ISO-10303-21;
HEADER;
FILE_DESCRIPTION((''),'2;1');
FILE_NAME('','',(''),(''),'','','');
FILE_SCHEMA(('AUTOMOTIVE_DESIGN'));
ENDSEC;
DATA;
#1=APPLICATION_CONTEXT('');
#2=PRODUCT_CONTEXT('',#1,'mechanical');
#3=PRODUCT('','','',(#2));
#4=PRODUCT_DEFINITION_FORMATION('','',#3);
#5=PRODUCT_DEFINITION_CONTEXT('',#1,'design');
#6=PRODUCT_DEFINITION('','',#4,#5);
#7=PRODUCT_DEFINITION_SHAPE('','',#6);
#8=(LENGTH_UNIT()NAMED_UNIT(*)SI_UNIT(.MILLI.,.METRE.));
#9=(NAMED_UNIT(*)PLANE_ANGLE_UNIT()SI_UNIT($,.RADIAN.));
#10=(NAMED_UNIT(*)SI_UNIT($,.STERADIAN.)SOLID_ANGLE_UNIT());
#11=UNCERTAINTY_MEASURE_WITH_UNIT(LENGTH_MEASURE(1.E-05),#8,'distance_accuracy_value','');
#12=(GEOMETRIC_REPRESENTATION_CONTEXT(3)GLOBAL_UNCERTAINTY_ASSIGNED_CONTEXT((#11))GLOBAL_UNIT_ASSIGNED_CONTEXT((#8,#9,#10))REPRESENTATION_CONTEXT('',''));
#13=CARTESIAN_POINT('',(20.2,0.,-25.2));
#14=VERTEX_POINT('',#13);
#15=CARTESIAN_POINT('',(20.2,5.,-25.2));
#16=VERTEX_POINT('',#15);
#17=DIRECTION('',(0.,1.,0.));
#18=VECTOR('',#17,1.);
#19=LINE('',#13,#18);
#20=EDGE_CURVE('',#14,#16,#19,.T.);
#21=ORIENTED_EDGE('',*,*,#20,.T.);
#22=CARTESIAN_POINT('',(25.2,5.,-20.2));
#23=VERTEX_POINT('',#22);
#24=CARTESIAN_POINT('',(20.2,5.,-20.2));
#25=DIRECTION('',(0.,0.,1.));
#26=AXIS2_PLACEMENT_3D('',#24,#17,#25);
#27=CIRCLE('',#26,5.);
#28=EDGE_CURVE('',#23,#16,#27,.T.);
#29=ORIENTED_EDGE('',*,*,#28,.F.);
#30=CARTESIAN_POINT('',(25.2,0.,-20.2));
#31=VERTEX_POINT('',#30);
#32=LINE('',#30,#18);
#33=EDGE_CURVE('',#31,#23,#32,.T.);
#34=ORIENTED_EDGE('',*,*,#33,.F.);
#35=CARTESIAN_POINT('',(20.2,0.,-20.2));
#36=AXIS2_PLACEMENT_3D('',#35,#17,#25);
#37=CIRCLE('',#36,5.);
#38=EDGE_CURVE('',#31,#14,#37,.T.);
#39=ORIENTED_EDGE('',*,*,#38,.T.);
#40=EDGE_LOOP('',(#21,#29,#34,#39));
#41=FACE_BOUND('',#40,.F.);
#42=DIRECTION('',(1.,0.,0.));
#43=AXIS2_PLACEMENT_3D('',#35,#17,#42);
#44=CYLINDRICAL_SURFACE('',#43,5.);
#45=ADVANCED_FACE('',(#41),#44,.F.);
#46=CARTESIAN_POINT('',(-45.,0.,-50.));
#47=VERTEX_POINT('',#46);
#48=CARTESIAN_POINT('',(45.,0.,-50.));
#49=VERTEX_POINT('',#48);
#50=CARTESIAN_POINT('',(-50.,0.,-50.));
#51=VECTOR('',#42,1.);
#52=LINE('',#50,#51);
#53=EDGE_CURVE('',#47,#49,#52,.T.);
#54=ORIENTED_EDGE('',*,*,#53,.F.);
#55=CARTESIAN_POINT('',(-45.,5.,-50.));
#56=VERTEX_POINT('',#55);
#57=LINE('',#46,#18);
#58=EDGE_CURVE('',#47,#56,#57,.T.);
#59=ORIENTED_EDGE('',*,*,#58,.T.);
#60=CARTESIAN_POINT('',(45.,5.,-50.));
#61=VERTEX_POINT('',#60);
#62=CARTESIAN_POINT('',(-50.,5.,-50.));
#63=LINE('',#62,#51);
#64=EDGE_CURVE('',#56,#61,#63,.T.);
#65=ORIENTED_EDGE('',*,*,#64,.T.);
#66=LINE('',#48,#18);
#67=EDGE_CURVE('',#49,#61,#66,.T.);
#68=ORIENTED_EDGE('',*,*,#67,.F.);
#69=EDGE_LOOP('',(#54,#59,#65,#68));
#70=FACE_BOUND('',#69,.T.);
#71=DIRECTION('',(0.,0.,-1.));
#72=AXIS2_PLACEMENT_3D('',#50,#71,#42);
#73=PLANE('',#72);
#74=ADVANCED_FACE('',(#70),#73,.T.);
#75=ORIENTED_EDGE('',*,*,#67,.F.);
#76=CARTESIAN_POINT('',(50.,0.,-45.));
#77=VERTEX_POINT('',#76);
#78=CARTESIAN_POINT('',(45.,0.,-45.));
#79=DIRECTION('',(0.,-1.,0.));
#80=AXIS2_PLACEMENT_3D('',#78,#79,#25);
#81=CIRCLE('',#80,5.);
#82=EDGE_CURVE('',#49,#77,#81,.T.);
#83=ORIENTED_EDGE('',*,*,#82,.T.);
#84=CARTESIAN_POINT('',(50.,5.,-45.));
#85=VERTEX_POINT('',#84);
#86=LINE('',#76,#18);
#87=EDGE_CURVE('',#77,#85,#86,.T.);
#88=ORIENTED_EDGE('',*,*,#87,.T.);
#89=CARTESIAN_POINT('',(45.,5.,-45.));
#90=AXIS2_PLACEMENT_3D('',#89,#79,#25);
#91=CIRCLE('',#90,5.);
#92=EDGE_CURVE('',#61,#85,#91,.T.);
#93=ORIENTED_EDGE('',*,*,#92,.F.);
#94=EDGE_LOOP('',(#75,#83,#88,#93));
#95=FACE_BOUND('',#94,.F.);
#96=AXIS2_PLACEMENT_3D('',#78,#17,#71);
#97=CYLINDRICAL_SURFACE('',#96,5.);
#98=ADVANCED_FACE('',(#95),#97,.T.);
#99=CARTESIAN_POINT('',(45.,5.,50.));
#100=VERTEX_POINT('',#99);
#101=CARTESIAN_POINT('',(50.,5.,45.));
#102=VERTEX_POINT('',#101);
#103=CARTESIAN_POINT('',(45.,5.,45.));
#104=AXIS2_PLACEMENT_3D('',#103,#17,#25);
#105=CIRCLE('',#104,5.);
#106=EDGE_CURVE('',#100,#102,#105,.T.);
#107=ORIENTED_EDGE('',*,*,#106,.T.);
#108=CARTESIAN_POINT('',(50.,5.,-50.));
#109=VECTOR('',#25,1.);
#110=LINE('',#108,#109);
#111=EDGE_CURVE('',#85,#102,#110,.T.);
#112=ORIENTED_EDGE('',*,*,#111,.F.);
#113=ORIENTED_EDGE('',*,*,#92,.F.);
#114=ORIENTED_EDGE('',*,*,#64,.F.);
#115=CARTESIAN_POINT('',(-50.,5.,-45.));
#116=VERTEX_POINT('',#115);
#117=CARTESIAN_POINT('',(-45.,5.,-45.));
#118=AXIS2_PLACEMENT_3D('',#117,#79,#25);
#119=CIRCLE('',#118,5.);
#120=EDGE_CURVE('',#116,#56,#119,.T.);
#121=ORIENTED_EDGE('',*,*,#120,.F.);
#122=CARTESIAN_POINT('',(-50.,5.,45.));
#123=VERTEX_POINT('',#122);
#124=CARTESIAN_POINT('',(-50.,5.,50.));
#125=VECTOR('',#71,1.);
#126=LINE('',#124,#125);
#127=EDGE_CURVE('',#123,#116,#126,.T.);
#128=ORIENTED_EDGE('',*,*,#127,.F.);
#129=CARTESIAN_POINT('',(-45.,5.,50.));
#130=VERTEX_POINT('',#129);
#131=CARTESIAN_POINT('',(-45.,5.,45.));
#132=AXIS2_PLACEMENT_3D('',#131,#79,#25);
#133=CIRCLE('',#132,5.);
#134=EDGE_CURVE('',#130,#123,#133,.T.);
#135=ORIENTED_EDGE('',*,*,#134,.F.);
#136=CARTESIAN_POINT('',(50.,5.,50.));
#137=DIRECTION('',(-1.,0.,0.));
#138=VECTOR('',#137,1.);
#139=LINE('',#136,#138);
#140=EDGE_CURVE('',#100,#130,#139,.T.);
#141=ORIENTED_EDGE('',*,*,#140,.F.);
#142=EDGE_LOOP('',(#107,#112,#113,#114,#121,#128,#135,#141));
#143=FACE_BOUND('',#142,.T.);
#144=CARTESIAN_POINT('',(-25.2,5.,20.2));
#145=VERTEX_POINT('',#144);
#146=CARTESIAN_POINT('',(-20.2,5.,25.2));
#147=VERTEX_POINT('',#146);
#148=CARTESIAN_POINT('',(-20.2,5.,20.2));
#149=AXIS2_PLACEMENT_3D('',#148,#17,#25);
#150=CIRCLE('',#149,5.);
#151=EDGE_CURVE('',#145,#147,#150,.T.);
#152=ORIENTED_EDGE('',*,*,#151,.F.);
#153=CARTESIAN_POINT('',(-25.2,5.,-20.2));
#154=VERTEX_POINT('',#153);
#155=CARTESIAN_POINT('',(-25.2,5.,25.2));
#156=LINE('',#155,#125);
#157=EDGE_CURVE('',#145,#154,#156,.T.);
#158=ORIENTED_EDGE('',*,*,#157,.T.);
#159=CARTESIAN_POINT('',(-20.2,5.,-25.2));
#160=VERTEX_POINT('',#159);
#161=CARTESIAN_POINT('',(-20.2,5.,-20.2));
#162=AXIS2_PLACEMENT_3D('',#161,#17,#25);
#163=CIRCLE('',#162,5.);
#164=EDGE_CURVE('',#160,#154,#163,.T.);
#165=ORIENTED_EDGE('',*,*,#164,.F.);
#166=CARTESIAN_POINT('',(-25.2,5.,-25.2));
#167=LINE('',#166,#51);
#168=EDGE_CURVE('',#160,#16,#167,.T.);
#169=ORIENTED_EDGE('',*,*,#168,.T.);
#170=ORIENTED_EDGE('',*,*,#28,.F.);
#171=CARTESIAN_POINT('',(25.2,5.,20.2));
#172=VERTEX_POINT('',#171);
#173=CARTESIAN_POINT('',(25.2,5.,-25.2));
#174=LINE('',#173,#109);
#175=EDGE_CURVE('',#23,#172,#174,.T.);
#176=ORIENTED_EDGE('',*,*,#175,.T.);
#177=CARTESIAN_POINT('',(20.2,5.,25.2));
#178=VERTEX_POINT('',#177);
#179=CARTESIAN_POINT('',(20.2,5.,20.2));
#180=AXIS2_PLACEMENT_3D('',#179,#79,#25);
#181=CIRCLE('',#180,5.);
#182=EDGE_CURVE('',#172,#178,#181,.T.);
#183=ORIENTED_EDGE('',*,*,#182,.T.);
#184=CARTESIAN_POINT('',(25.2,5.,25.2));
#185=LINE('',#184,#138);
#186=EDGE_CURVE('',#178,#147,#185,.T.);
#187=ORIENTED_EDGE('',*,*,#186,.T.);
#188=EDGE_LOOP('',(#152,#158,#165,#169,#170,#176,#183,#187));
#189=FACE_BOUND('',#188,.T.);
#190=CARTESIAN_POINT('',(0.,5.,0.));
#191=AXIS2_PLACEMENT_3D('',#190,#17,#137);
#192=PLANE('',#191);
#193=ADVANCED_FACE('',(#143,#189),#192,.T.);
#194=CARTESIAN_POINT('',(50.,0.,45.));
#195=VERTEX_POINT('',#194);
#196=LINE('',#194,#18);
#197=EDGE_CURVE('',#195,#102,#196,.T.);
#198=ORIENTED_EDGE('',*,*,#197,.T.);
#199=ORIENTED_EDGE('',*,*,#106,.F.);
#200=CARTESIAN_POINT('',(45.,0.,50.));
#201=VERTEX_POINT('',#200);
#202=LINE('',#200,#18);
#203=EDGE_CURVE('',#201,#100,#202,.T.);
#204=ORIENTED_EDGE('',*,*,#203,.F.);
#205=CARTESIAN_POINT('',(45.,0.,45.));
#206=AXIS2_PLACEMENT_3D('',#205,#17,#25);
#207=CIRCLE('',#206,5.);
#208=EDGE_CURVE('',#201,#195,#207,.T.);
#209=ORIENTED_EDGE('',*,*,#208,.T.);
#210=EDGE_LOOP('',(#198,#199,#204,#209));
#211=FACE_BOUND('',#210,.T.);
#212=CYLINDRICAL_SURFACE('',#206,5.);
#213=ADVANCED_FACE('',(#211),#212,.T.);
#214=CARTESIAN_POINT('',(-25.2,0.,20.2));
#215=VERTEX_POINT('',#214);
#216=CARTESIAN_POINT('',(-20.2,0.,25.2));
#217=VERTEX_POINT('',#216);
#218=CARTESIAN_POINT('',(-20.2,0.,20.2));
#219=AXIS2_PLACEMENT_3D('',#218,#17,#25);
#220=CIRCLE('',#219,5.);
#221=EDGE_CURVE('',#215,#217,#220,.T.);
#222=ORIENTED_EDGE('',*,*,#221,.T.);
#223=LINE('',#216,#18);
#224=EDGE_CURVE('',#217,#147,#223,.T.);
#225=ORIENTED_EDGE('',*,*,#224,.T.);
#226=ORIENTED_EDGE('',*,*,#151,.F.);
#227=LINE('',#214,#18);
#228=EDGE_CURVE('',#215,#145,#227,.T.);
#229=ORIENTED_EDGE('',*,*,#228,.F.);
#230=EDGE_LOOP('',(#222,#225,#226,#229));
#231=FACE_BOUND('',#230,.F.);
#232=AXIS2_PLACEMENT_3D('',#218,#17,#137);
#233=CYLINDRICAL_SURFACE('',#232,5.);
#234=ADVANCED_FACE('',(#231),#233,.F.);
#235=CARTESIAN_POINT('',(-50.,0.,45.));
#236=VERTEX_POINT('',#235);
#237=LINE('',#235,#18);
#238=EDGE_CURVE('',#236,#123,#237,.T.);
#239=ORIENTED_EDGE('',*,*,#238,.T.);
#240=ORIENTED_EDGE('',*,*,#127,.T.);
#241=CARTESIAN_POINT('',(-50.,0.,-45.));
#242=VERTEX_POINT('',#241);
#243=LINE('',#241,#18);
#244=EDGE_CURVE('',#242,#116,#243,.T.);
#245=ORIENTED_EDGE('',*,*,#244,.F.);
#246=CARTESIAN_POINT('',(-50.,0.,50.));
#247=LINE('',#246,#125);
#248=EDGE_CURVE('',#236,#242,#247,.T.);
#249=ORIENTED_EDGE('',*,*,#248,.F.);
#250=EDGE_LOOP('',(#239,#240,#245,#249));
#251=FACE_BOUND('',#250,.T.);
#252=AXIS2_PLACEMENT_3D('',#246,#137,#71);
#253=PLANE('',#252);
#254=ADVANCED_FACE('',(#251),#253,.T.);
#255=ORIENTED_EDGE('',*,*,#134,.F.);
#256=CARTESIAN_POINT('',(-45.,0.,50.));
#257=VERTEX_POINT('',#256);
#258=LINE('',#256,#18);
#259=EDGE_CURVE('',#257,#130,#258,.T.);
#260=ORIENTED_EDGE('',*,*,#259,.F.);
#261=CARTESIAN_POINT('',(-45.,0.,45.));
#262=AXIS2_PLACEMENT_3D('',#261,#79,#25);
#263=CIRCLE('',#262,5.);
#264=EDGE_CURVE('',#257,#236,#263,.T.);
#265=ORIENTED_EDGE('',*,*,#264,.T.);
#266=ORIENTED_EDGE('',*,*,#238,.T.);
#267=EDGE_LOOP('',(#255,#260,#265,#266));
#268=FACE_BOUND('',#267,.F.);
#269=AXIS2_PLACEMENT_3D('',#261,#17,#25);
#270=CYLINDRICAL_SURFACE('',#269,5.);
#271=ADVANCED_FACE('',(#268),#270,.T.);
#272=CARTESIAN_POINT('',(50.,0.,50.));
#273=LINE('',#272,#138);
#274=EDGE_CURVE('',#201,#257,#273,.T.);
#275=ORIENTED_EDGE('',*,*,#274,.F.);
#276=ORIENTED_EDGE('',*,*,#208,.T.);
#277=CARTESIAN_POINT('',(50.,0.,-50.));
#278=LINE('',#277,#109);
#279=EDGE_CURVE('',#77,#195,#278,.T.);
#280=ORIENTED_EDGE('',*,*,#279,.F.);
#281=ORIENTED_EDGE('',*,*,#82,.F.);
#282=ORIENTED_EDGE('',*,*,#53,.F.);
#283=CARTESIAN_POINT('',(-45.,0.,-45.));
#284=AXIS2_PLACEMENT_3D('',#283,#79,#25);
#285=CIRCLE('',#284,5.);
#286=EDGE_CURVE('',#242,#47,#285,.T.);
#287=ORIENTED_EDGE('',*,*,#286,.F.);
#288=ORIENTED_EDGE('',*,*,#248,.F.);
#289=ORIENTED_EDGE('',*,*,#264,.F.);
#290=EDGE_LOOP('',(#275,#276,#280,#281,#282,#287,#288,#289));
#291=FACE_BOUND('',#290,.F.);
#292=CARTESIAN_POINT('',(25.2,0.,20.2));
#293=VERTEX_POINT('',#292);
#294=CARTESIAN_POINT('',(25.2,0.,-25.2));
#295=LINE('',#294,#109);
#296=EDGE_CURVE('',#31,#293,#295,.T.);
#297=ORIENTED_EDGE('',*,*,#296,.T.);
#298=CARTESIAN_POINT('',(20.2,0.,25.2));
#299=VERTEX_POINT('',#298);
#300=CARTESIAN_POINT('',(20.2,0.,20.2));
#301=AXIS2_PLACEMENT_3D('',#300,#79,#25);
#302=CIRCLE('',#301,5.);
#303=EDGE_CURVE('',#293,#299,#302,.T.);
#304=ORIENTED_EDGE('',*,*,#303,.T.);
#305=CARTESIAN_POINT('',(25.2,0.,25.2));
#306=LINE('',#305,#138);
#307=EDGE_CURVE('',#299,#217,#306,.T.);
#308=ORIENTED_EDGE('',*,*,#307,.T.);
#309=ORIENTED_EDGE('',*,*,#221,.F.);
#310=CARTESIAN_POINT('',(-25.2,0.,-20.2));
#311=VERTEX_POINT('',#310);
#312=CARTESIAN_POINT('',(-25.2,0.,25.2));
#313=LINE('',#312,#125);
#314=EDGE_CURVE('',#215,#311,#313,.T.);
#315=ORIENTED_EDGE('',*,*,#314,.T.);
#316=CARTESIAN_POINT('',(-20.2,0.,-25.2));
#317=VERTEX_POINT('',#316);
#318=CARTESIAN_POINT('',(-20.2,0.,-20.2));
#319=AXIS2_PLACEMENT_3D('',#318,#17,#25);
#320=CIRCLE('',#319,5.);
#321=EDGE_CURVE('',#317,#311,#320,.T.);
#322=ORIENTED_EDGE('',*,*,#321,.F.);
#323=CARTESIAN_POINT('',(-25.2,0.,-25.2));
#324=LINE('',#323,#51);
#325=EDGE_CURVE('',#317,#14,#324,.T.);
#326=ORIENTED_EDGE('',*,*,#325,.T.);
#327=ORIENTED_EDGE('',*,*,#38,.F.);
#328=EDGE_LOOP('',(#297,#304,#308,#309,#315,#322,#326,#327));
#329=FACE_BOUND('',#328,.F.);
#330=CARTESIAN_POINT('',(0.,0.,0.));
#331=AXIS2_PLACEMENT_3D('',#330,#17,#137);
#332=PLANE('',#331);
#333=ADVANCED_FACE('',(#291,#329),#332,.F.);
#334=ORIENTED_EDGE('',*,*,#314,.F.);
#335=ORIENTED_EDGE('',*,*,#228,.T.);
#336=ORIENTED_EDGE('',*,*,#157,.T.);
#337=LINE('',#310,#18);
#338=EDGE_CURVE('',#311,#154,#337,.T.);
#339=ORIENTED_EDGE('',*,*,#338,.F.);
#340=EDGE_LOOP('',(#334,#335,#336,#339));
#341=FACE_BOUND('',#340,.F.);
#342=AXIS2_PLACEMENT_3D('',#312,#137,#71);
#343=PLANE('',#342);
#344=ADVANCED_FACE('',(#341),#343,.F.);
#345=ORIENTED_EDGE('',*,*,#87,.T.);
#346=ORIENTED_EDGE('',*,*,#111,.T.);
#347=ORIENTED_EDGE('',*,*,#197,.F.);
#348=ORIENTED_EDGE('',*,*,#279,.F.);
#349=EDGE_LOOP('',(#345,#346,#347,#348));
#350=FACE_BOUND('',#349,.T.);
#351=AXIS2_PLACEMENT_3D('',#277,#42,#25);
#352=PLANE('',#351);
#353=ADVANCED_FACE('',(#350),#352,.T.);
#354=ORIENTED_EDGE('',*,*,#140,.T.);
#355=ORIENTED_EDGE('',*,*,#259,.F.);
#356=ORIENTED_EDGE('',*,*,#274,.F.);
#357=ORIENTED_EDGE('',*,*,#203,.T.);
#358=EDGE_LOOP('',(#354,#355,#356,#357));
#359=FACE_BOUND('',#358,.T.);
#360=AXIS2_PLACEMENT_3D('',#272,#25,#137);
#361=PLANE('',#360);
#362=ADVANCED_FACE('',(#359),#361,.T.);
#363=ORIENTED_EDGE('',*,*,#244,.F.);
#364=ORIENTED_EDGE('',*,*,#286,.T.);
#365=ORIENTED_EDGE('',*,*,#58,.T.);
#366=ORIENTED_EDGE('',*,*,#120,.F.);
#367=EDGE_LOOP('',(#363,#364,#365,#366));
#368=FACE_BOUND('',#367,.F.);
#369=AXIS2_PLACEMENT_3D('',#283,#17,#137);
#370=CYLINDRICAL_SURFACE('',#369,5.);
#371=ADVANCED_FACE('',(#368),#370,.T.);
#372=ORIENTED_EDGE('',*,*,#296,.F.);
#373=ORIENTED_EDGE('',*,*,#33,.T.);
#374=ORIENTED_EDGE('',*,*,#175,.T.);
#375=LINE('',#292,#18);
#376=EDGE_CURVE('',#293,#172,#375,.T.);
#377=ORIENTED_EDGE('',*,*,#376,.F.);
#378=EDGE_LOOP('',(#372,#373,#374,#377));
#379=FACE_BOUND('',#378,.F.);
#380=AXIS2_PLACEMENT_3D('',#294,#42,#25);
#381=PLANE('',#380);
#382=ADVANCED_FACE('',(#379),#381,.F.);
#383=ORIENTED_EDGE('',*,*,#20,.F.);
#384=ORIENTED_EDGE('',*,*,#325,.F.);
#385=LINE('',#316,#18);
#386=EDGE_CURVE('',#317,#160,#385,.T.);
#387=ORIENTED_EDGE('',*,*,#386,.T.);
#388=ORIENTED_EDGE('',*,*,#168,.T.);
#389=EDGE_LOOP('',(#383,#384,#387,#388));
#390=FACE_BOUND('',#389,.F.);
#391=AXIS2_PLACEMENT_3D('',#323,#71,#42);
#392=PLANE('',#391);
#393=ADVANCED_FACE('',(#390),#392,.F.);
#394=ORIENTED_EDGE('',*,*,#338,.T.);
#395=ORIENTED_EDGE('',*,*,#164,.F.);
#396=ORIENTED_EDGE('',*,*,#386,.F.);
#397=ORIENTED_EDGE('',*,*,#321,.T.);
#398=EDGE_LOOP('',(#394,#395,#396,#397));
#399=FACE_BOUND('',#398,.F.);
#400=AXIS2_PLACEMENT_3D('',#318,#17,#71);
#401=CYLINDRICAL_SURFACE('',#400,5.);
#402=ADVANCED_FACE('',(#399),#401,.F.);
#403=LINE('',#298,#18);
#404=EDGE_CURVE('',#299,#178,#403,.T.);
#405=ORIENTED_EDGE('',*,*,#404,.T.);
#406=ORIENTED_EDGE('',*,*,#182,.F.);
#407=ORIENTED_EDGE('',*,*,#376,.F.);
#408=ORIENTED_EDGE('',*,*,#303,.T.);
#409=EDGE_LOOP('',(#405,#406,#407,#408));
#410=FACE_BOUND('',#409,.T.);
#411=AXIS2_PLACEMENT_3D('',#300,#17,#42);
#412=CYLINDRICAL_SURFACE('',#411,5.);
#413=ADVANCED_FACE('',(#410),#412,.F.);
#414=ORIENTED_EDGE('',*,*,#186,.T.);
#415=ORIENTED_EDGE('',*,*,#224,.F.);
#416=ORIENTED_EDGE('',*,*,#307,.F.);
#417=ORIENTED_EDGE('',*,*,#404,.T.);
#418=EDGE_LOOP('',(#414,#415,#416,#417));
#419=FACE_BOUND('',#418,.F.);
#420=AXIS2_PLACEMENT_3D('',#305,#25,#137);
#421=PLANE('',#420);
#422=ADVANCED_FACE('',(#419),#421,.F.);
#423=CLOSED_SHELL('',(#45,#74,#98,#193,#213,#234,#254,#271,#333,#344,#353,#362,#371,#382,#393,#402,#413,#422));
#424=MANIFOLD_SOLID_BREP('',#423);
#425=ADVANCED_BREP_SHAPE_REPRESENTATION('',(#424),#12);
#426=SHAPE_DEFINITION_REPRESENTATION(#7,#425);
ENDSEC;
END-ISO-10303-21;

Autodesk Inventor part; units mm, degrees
ref_plane "YZ Plane" through (0, 0, 0) normal (1, 0, 0) x (0, 1, 0)
ref_plane "XZ Plane" through (0, 0, 0) normal (0, 1, 0) x (-1, 0, 0)
ref_plane "XY Plane" through (0, 0, 0) normal (0, 0, 1) x (1, 0, 0)
sketch "Sketch1" plane through (0, 0, 0) normal (0, 1, 0) x (-1, 0, 0)
  line L0 (-25.2, 25.2) -> (25.2, 25.2)
  line L1 (25.2, 25.2) -> (25.2, -25.2)
  line L2 (25.2, -25.2) -> (-25.2, -25.2)
  line L3 (-25.2, -25.2) -> (-25.2, 25.2)
  line L4 (-25.2, 25.2) -> (25.2, -25.2) construction
  line L5 (25.2, 25.2) -> (-25.2, -25.2) construction
  line L6 (-50, 50) -> (50, 50)
  line L7 (50, 50) -> (50, -50)
  line L8 (50, -50) -> (-50, -50)
  line L9 (-50, -50) -> (-50, 50)
  line L10 (-50, 50) -> (50, -50) construction
  line L11 (50, 50) -> (-50, -50) construction
  point P0 (0, 0)
  dimension "d0" = 50.4
  dimension "d1" = 100
extrude "Extrusion1" add sketch "Sketch1" along normal blind 5
fillet "Fillet1" radius 5 8 edges at (50, 2.5, 50) (50, 2.5, -50) (-50, 2.5, 50) (-50, 2.5, -50) (-25.2, 2.5, -25.2) (25.2, 2.5, -25.2) (-25.2, 2.5, 25.2) (25.2, 2.5, 25.2)
properties part number "PATA" material "Steel, Mild, Welded"
